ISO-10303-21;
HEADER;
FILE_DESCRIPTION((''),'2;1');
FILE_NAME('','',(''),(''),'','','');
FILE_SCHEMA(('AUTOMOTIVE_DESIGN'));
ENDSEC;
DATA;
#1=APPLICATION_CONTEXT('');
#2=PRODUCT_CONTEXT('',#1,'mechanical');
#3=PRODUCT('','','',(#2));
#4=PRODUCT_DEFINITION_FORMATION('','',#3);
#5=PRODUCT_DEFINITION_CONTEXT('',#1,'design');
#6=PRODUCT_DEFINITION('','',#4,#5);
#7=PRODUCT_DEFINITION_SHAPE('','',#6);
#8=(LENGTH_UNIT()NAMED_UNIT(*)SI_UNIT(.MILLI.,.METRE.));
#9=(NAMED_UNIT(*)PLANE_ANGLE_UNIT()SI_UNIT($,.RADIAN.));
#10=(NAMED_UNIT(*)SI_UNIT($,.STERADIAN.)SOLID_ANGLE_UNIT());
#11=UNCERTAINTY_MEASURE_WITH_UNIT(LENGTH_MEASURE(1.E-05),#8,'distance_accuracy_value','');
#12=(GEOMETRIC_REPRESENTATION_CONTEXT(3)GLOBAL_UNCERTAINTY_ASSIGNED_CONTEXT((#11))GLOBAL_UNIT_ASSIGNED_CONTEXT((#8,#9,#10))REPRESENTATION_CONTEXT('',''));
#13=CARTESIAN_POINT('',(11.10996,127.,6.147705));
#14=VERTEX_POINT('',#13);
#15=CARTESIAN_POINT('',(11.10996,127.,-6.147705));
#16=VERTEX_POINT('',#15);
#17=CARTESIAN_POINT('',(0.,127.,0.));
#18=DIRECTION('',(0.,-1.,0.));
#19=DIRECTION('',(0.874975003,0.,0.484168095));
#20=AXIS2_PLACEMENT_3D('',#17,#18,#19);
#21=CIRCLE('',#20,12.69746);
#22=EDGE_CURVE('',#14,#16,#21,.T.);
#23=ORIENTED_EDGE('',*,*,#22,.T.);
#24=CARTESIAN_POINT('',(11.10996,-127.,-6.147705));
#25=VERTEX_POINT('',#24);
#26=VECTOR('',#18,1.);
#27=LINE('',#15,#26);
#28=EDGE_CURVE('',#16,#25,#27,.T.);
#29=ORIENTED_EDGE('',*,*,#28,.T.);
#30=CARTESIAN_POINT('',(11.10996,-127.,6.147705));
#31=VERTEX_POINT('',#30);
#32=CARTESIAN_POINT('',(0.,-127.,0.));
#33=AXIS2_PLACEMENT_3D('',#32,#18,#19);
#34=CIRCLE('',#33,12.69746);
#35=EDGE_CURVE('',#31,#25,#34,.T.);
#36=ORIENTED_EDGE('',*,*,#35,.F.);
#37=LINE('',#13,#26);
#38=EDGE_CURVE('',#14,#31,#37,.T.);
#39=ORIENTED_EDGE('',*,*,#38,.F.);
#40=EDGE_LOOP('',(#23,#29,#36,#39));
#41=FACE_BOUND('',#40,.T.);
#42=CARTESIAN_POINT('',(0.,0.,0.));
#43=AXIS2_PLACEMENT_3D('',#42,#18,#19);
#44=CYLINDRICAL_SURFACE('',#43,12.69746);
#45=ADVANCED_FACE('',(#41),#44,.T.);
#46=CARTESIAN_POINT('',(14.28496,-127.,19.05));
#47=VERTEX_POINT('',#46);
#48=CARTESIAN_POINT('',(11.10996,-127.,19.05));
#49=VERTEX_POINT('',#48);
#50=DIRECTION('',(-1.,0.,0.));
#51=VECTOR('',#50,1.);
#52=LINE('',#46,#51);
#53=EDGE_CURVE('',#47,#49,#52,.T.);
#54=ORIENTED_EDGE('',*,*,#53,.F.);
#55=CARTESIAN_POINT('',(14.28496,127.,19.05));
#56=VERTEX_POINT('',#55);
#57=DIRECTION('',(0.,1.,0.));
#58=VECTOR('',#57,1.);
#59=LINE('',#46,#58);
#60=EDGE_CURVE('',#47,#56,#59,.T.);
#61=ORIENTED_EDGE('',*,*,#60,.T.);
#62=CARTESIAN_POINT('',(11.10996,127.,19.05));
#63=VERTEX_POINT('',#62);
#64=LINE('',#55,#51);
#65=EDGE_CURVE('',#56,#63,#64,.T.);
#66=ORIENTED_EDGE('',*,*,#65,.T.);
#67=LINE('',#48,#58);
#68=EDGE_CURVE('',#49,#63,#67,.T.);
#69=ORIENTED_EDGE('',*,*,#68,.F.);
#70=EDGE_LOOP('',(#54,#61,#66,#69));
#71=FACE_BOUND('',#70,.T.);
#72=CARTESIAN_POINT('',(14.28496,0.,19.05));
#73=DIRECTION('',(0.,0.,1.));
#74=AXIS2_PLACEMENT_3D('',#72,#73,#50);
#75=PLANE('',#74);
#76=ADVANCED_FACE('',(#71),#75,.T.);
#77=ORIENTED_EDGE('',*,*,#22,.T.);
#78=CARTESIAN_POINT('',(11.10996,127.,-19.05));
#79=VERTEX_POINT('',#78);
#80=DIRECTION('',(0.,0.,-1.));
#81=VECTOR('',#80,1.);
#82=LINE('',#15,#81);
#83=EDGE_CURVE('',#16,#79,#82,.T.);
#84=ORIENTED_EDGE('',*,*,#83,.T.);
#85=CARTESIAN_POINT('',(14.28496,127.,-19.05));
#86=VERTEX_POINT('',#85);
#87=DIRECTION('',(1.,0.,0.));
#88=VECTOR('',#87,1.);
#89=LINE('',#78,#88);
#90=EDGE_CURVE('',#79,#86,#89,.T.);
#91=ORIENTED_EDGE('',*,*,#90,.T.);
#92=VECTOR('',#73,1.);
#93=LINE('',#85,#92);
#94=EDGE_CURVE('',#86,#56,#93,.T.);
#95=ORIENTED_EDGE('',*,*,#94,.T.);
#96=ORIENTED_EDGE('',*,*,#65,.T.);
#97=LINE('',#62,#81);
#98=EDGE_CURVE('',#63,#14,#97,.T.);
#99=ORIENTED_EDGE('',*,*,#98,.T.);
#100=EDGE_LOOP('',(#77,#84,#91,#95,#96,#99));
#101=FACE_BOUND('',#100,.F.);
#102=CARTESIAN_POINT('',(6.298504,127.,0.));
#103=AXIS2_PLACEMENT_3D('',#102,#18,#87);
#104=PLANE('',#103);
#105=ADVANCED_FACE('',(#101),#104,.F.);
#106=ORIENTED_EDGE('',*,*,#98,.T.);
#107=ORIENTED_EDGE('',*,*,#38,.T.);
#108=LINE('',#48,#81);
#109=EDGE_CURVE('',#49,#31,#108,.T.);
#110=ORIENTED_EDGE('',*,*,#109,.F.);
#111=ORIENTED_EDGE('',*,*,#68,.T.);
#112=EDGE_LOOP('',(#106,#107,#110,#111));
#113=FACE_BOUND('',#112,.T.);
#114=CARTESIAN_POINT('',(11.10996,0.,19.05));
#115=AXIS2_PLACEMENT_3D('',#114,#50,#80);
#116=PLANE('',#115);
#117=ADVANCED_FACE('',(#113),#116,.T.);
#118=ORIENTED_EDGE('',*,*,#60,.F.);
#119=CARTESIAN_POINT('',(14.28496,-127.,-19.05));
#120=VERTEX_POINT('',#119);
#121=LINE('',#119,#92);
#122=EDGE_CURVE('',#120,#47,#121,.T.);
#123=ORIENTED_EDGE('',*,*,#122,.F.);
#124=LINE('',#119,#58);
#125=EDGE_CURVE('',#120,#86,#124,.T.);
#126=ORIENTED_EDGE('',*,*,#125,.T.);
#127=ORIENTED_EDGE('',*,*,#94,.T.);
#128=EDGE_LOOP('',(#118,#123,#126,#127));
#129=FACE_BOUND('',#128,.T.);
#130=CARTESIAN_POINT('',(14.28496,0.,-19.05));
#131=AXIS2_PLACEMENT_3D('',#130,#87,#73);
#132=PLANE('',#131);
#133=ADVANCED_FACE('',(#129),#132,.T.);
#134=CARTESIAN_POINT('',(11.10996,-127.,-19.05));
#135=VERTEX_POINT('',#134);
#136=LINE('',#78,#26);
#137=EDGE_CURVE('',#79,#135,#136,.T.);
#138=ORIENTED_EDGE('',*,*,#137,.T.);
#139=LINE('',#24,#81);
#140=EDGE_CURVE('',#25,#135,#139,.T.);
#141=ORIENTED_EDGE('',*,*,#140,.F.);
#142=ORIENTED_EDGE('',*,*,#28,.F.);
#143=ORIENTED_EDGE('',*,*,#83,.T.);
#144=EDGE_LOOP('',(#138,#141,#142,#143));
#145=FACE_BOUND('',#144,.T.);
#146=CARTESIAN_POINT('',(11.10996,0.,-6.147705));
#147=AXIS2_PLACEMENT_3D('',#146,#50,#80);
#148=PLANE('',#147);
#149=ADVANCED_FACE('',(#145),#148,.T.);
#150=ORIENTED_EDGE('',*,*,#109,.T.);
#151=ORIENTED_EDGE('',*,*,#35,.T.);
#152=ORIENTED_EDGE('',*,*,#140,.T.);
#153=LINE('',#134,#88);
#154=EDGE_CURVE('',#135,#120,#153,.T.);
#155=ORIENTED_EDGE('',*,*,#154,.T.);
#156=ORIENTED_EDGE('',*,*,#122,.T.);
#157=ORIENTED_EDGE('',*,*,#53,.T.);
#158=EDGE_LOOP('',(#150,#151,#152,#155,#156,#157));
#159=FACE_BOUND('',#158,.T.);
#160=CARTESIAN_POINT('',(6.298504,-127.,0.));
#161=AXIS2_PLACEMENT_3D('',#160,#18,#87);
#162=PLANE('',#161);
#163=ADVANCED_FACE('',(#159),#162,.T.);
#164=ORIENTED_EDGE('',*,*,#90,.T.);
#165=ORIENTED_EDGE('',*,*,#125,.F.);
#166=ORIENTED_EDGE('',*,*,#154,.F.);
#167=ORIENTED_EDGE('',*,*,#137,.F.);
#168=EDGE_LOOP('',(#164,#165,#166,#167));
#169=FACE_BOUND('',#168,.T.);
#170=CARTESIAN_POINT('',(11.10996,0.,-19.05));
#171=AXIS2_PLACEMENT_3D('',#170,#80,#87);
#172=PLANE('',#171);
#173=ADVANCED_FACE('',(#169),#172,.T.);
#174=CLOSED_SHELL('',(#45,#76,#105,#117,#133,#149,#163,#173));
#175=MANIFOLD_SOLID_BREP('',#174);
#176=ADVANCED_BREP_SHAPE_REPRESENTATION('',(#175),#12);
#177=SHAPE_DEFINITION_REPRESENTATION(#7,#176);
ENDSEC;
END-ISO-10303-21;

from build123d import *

# Parameters (mm, degrees)
F1_DEPTH = 127


with BuildPart() as f1:
    # F0 (on Front) → F1 (new body, symmetric)
    with BuildSketch(Plane.XZ):
        with BuildLine():
            Line((11.10996, 19.05), (11.10996, 6.147705))
            ThreePointArc((11.10996, 6.147705), (-12.69746, 0), (11.10996, -6.147705))
            Line((11.10996, -6.147705), (11.10996, -19.05))
            Line((11.10996, -19.05), (14.28496, -19.05))
            Line((14.28496, -19.05), (14.28496, 19.05))
            Line((14.28496, 19.05), (11.10996, 19.05))
        make_face()
    extrude(amount=F1_DEPTH, both=True)


solid = f1.part
